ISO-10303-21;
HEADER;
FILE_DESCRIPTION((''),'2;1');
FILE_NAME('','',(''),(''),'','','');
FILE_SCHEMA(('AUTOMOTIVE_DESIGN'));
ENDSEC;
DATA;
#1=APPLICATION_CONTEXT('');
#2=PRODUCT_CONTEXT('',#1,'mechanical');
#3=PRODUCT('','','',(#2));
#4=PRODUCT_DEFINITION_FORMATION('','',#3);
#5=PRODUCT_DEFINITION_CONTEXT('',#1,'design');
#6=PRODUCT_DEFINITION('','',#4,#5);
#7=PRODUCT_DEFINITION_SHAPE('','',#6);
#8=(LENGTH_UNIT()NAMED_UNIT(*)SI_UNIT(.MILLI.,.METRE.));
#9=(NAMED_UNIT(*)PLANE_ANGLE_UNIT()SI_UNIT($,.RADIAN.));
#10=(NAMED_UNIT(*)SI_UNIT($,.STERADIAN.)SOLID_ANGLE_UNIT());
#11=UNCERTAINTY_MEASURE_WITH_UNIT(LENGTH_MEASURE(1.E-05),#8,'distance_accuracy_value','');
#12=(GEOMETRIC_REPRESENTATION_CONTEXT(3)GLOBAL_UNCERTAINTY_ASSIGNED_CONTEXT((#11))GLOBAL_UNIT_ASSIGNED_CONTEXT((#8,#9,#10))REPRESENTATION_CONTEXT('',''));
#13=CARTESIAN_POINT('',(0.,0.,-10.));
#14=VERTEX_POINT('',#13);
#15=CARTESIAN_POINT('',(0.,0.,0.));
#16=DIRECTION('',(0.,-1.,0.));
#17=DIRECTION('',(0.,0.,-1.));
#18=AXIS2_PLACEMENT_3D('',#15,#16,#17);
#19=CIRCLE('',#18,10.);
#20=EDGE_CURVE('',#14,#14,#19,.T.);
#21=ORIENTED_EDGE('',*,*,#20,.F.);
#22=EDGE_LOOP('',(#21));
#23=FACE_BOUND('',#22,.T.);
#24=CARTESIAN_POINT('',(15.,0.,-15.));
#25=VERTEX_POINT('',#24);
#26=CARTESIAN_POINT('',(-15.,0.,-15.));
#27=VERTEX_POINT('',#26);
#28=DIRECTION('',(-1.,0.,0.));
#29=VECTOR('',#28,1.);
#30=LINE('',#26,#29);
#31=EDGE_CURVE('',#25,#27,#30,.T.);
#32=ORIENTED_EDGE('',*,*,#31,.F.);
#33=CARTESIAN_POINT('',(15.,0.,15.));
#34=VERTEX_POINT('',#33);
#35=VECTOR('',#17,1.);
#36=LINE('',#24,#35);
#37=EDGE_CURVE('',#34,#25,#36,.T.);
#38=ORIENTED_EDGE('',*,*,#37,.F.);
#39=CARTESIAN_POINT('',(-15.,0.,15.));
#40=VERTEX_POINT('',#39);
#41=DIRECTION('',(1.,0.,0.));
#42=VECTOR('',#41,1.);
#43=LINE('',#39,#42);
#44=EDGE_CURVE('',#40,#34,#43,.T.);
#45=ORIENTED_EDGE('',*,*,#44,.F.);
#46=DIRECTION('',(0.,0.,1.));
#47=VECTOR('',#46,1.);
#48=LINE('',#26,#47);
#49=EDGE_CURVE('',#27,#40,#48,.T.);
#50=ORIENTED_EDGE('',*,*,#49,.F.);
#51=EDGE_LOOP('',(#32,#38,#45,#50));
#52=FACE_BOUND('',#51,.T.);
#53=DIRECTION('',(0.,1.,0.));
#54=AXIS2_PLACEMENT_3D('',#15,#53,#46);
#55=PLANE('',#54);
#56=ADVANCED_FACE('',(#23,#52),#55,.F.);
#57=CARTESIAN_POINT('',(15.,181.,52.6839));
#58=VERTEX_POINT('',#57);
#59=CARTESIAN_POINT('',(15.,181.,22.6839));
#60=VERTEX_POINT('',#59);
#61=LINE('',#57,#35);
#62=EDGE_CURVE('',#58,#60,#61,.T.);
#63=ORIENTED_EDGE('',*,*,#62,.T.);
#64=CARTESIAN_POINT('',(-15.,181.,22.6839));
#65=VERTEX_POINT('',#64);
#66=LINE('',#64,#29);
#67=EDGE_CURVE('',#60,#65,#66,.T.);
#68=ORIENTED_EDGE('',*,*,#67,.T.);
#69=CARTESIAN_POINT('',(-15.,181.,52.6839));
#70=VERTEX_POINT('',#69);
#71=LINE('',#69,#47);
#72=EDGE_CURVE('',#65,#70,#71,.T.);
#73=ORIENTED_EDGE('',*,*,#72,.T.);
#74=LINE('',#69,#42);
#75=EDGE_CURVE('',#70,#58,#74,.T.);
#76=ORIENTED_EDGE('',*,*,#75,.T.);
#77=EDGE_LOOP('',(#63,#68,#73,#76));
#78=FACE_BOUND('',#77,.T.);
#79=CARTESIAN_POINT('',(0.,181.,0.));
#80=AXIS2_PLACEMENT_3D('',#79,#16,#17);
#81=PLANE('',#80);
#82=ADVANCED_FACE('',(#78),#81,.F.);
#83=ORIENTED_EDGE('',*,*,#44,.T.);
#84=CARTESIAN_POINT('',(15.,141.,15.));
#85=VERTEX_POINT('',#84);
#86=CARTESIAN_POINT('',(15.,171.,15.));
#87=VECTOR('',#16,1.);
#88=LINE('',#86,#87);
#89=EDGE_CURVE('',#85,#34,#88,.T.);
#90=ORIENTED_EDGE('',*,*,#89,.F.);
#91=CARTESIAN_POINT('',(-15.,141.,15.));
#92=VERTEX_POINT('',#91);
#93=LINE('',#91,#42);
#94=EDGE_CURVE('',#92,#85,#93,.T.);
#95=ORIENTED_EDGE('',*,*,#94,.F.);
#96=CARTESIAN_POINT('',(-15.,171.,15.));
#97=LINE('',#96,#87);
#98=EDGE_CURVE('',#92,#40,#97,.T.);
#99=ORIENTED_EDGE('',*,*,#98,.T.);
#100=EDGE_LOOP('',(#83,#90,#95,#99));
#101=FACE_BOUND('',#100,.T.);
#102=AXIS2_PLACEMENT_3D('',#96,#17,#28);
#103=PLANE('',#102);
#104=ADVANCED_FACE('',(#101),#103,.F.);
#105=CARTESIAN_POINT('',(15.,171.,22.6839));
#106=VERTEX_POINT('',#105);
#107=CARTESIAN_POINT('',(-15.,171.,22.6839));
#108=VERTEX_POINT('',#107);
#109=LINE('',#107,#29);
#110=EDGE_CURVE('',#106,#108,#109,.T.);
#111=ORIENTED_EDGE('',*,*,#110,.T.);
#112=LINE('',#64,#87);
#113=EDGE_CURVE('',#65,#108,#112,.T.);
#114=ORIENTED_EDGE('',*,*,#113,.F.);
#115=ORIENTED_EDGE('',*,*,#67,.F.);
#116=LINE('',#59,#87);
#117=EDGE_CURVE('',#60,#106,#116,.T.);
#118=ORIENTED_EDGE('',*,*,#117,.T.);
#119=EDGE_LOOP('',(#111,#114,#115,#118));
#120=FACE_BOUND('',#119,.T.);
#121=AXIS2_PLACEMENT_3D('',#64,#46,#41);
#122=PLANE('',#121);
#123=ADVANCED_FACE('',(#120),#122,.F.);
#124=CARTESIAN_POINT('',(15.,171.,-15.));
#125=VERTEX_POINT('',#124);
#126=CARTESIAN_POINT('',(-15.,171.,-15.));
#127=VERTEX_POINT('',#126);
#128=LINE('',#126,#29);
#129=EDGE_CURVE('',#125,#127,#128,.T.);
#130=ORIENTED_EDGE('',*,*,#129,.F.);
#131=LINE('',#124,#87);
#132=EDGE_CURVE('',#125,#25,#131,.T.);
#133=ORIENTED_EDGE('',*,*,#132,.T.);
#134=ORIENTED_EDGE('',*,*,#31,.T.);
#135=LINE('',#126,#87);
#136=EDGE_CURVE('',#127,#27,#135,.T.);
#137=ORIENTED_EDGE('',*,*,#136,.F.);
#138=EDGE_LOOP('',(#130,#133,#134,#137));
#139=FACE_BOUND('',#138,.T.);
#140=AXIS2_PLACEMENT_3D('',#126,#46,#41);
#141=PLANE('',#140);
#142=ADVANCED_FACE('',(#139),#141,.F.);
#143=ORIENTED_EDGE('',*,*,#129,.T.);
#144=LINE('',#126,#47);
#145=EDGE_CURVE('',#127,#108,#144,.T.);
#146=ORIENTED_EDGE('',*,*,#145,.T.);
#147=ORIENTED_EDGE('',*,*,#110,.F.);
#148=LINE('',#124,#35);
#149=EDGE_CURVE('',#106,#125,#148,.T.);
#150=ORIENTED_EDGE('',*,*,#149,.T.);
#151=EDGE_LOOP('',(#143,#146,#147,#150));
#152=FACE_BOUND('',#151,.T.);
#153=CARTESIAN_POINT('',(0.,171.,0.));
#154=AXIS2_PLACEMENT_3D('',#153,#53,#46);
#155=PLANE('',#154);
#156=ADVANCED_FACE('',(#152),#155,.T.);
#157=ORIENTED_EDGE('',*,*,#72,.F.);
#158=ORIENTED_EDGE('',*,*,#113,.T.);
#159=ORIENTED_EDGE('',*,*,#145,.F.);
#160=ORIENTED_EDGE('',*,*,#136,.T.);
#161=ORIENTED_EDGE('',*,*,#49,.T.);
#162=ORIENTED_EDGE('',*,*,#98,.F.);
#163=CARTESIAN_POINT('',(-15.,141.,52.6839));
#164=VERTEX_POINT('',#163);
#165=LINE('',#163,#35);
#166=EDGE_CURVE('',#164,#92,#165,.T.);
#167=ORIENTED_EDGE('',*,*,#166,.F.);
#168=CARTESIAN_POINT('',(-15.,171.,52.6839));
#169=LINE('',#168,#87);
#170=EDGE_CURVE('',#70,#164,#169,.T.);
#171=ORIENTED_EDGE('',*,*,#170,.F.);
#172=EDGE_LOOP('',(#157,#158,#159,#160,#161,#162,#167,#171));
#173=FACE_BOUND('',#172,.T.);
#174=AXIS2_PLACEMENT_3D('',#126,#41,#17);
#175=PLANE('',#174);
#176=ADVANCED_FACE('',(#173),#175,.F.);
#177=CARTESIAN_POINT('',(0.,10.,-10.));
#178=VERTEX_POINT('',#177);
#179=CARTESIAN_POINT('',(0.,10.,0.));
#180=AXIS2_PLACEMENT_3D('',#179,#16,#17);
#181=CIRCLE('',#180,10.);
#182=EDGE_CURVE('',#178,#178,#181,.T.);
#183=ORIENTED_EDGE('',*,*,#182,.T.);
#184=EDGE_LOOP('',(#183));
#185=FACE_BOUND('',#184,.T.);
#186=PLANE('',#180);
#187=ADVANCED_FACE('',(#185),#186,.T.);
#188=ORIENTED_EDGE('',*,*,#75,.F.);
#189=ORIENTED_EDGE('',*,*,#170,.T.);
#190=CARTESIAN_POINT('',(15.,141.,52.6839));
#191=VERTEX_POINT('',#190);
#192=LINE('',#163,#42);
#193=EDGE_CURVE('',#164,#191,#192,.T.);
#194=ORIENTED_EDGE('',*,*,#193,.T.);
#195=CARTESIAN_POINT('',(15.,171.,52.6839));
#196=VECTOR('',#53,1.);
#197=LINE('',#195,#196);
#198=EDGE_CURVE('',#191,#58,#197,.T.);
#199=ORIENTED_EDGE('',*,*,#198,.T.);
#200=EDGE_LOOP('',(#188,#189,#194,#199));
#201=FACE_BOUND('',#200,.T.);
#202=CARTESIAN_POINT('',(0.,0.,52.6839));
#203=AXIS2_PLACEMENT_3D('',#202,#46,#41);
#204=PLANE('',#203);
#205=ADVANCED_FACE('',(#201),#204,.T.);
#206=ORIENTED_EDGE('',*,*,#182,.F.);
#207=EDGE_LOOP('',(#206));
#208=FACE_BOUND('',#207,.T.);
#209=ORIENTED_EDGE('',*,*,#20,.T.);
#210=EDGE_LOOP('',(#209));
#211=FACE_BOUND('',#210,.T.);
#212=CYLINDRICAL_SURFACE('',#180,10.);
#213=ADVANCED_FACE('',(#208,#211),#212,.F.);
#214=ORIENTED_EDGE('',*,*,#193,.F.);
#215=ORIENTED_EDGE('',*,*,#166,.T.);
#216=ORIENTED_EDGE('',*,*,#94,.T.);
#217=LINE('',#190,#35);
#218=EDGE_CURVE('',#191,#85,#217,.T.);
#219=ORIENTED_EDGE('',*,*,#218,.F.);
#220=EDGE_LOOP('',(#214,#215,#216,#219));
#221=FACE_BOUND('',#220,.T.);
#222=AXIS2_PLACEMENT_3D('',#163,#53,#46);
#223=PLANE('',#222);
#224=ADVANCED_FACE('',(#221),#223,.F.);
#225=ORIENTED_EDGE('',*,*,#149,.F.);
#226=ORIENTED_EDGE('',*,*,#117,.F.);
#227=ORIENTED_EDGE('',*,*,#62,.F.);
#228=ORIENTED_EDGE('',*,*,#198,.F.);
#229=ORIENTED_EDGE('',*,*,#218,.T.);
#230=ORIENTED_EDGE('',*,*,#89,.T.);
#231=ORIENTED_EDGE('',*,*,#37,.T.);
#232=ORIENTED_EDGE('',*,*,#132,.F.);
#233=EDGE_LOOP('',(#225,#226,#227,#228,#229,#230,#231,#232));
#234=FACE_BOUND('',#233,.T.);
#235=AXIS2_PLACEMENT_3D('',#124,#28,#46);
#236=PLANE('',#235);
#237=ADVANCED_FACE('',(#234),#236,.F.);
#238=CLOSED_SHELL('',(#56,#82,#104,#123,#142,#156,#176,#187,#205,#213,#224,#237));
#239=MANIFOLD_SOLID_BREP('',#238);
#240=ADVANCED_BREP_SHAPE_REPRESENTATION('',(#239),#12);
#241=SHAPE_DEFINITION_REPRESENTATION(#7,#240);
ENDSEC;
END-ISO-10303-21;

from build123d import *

# Parameters (mm, degrees)
SKETCH1_W           = 30
SKETCH1_H           = 30
BOSS_EXTRUDE1_DEPTH = 171
SKETCH2_R           = 10
CUT_EXTRUDE1_DEPTH  = 10
SKETCH3_W           = 30
SKETCH3_H           = 30
BOSS_EXTRUDE2_DEPTH = 37.6839
SKETCH5_W           = 30
SKETCH5_H           = 30
BOSS_EXTRUDE3_DEPTH = 10


with BuildPart() as part:
    # Sketch1 → Boss-Extrude1 (new body)
    with BuildSketch(Plane(origin=(0, 0, 0), x_dir=(1, 0, 0), z_dir=(0, 1, 0))):
        Rectangle(SKETCH1_W, SKETCH1_H)
    extrude(amount=BOSS_EXTRUDE1_DEPTH)

    # Sketch2 → Cut-Extrude1 (cut)
    with BuildSketch(Plane.XZ):
        Circle(SKETCH2_R)
    extrude(amount=-CUT_EXTRUDE1_DEPTH, mode=Mode.SUBTRACT)

    # Sketch3 → Boss-Extrude2 (add)
    with BuildSketch(Plane.XY.offset(15)):
        with Locations((0, 156)):
            Rectangle(SKETCH3_W, SKETCH3_H)
    extrude(amount=BOSS_EXTRUDE2_DEPTH)

    # Sketch5 → Boss-Extrude3 (add)
    with BuildSketch(Plane(origin=(0, 171, 0), x_dir=(1, 0, 0), z_dir=(0, 1, 0))):
        with Locations((0, -37.6839)):
            Rectangle(SKETCH5_W, SKETCH5_H)
    extrude(amount=BOSS_EXTRUDE3_DEPTH)


solid = part.part
